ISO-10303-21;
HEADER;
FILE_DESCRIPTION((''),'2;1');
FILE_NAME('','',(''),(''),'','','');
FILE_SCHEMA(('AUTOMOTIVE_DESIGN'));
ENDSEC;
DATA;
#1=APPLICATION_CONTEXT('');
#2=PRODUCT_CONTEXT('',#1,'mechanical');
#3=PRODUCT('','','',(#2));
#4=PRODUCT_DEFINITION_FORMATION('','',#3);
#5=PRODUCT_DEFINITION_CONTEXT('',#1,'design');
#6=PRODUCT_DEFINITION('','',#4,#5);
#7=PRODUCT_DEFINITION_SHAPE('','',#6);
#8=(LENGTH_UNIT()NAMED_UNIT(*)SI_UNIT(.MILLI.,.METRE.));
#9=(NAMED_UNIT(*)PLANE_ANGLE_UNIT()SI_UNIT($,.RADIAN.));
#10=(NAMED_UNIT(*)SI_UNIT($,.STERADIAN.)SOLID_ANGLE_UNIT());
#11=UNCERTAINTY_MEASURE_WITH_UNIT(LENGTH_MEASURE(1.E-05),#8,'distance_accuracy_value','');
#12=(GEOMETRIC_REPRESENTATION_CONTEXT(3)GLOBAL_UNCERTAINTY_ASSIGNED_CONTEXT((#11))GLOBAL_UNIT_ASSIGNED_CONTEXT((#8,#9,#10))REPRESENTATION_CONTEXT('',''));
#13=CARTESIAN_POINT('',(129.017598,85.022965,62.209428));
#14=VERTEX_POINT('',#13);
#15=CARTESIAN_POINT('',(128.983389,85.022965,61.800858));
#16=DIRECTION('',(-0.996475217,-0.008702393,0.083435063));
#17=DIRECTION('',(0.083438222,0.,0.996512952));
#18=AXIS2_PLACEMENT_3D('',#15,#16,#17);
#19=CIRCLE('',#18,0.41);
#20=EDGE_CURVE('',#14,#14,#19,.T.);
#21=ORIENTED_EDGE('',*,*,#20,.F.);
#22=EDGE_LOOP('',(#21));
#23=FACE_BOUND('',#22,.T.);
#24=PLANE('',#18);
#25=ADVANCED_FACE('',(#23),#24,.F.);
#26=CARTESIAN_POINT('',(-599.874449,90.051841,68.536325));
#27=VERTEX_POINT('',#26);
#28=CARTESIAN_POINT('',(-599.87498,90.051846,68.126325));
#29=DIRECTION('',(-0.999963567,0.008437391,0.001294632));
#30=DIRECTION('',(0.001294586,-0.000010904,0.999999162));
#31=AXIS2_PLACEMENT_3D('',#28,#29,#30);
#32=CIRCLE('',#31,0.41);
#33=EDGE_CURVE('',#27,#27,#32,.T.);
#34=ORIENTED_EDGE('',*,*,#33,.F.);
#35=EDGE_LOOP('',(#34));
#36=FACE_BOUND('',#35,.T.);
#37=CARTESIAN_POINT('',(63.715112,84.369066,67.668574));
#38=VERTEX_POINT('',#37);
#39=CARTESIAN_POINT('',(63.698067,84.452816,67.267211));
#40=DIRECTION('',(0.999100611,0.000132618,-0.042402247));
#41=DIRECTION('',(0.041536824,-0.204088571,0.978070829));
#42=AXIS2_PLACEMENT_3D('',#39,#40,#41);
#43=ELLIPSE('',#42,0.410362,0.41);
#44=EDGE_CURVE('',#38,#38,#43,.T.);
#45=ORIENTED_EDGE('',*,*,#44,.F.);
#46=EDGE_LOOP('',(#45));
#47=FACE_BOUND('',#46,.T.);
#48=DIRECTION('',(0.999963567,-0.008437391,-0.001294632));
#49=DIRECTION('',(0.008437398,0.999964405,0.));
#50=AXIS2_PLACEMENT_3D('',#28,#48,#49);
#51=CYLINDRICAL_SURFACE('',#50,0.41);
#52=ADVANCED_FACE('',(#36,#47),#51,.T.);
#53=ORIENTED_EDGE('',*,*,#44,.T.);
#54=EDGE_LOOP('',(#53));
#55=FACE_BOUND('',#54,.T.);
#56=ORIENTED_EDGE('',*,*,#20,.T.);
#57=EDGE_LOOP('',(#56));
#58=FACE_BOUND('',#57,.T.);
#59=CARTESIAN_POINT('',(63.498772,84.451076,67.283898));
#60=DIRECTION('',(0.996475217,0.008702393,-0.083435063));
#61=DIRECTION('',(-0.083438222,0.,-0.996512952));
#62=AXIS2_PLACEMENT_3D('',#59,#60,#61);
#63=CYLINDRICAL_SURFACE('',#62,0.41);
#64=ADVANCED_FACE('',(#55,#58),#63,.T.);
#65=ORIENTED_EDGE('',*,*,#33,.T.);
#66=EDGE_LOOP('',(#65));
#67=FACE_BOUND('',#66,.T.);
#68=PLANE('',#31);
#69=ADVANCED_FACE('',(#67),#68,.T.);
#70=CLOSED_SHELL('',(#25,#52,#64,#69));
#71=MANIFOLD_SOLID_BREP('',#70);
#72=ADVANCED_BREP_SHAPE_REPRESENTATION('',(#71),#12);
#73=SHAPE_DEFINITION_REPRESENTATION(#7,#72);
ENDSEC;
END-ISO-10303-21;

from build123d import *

# Parameters (mm, degrees)
SWEEP1_PROFILE_R = 0.41


with BuildPart() as part:
    # Sweep1: sweep along a curve in space
    with BuildLine() as sweep1_path:
        Line((-599.874979588, 90.051845583, 68.126324969), (63.698066841, 84.452816353, 67.267210553))
        Line((63.698066841, 84.452816353, 67.267210553), (128.983388504, 85.022964554, 61.800857925))
    # Sweep1 profile (on start of the path) → Sweep1 (sweep)
    with BuildSketch(Plane(origin=(-599.874979588, 90.051845583, 68.126324969), x_dir=(0.008437398053026807, 0.9999644045235284, 0), z_dir=(0.9999635665165794, -0.008437390982176917, -0.0012946323248253034))):
        Circle(SWEEP1_PROFILE_R)
    sweep(path=sweep1_path.line, transition=Transition.RIGHT)


solid = part.part
